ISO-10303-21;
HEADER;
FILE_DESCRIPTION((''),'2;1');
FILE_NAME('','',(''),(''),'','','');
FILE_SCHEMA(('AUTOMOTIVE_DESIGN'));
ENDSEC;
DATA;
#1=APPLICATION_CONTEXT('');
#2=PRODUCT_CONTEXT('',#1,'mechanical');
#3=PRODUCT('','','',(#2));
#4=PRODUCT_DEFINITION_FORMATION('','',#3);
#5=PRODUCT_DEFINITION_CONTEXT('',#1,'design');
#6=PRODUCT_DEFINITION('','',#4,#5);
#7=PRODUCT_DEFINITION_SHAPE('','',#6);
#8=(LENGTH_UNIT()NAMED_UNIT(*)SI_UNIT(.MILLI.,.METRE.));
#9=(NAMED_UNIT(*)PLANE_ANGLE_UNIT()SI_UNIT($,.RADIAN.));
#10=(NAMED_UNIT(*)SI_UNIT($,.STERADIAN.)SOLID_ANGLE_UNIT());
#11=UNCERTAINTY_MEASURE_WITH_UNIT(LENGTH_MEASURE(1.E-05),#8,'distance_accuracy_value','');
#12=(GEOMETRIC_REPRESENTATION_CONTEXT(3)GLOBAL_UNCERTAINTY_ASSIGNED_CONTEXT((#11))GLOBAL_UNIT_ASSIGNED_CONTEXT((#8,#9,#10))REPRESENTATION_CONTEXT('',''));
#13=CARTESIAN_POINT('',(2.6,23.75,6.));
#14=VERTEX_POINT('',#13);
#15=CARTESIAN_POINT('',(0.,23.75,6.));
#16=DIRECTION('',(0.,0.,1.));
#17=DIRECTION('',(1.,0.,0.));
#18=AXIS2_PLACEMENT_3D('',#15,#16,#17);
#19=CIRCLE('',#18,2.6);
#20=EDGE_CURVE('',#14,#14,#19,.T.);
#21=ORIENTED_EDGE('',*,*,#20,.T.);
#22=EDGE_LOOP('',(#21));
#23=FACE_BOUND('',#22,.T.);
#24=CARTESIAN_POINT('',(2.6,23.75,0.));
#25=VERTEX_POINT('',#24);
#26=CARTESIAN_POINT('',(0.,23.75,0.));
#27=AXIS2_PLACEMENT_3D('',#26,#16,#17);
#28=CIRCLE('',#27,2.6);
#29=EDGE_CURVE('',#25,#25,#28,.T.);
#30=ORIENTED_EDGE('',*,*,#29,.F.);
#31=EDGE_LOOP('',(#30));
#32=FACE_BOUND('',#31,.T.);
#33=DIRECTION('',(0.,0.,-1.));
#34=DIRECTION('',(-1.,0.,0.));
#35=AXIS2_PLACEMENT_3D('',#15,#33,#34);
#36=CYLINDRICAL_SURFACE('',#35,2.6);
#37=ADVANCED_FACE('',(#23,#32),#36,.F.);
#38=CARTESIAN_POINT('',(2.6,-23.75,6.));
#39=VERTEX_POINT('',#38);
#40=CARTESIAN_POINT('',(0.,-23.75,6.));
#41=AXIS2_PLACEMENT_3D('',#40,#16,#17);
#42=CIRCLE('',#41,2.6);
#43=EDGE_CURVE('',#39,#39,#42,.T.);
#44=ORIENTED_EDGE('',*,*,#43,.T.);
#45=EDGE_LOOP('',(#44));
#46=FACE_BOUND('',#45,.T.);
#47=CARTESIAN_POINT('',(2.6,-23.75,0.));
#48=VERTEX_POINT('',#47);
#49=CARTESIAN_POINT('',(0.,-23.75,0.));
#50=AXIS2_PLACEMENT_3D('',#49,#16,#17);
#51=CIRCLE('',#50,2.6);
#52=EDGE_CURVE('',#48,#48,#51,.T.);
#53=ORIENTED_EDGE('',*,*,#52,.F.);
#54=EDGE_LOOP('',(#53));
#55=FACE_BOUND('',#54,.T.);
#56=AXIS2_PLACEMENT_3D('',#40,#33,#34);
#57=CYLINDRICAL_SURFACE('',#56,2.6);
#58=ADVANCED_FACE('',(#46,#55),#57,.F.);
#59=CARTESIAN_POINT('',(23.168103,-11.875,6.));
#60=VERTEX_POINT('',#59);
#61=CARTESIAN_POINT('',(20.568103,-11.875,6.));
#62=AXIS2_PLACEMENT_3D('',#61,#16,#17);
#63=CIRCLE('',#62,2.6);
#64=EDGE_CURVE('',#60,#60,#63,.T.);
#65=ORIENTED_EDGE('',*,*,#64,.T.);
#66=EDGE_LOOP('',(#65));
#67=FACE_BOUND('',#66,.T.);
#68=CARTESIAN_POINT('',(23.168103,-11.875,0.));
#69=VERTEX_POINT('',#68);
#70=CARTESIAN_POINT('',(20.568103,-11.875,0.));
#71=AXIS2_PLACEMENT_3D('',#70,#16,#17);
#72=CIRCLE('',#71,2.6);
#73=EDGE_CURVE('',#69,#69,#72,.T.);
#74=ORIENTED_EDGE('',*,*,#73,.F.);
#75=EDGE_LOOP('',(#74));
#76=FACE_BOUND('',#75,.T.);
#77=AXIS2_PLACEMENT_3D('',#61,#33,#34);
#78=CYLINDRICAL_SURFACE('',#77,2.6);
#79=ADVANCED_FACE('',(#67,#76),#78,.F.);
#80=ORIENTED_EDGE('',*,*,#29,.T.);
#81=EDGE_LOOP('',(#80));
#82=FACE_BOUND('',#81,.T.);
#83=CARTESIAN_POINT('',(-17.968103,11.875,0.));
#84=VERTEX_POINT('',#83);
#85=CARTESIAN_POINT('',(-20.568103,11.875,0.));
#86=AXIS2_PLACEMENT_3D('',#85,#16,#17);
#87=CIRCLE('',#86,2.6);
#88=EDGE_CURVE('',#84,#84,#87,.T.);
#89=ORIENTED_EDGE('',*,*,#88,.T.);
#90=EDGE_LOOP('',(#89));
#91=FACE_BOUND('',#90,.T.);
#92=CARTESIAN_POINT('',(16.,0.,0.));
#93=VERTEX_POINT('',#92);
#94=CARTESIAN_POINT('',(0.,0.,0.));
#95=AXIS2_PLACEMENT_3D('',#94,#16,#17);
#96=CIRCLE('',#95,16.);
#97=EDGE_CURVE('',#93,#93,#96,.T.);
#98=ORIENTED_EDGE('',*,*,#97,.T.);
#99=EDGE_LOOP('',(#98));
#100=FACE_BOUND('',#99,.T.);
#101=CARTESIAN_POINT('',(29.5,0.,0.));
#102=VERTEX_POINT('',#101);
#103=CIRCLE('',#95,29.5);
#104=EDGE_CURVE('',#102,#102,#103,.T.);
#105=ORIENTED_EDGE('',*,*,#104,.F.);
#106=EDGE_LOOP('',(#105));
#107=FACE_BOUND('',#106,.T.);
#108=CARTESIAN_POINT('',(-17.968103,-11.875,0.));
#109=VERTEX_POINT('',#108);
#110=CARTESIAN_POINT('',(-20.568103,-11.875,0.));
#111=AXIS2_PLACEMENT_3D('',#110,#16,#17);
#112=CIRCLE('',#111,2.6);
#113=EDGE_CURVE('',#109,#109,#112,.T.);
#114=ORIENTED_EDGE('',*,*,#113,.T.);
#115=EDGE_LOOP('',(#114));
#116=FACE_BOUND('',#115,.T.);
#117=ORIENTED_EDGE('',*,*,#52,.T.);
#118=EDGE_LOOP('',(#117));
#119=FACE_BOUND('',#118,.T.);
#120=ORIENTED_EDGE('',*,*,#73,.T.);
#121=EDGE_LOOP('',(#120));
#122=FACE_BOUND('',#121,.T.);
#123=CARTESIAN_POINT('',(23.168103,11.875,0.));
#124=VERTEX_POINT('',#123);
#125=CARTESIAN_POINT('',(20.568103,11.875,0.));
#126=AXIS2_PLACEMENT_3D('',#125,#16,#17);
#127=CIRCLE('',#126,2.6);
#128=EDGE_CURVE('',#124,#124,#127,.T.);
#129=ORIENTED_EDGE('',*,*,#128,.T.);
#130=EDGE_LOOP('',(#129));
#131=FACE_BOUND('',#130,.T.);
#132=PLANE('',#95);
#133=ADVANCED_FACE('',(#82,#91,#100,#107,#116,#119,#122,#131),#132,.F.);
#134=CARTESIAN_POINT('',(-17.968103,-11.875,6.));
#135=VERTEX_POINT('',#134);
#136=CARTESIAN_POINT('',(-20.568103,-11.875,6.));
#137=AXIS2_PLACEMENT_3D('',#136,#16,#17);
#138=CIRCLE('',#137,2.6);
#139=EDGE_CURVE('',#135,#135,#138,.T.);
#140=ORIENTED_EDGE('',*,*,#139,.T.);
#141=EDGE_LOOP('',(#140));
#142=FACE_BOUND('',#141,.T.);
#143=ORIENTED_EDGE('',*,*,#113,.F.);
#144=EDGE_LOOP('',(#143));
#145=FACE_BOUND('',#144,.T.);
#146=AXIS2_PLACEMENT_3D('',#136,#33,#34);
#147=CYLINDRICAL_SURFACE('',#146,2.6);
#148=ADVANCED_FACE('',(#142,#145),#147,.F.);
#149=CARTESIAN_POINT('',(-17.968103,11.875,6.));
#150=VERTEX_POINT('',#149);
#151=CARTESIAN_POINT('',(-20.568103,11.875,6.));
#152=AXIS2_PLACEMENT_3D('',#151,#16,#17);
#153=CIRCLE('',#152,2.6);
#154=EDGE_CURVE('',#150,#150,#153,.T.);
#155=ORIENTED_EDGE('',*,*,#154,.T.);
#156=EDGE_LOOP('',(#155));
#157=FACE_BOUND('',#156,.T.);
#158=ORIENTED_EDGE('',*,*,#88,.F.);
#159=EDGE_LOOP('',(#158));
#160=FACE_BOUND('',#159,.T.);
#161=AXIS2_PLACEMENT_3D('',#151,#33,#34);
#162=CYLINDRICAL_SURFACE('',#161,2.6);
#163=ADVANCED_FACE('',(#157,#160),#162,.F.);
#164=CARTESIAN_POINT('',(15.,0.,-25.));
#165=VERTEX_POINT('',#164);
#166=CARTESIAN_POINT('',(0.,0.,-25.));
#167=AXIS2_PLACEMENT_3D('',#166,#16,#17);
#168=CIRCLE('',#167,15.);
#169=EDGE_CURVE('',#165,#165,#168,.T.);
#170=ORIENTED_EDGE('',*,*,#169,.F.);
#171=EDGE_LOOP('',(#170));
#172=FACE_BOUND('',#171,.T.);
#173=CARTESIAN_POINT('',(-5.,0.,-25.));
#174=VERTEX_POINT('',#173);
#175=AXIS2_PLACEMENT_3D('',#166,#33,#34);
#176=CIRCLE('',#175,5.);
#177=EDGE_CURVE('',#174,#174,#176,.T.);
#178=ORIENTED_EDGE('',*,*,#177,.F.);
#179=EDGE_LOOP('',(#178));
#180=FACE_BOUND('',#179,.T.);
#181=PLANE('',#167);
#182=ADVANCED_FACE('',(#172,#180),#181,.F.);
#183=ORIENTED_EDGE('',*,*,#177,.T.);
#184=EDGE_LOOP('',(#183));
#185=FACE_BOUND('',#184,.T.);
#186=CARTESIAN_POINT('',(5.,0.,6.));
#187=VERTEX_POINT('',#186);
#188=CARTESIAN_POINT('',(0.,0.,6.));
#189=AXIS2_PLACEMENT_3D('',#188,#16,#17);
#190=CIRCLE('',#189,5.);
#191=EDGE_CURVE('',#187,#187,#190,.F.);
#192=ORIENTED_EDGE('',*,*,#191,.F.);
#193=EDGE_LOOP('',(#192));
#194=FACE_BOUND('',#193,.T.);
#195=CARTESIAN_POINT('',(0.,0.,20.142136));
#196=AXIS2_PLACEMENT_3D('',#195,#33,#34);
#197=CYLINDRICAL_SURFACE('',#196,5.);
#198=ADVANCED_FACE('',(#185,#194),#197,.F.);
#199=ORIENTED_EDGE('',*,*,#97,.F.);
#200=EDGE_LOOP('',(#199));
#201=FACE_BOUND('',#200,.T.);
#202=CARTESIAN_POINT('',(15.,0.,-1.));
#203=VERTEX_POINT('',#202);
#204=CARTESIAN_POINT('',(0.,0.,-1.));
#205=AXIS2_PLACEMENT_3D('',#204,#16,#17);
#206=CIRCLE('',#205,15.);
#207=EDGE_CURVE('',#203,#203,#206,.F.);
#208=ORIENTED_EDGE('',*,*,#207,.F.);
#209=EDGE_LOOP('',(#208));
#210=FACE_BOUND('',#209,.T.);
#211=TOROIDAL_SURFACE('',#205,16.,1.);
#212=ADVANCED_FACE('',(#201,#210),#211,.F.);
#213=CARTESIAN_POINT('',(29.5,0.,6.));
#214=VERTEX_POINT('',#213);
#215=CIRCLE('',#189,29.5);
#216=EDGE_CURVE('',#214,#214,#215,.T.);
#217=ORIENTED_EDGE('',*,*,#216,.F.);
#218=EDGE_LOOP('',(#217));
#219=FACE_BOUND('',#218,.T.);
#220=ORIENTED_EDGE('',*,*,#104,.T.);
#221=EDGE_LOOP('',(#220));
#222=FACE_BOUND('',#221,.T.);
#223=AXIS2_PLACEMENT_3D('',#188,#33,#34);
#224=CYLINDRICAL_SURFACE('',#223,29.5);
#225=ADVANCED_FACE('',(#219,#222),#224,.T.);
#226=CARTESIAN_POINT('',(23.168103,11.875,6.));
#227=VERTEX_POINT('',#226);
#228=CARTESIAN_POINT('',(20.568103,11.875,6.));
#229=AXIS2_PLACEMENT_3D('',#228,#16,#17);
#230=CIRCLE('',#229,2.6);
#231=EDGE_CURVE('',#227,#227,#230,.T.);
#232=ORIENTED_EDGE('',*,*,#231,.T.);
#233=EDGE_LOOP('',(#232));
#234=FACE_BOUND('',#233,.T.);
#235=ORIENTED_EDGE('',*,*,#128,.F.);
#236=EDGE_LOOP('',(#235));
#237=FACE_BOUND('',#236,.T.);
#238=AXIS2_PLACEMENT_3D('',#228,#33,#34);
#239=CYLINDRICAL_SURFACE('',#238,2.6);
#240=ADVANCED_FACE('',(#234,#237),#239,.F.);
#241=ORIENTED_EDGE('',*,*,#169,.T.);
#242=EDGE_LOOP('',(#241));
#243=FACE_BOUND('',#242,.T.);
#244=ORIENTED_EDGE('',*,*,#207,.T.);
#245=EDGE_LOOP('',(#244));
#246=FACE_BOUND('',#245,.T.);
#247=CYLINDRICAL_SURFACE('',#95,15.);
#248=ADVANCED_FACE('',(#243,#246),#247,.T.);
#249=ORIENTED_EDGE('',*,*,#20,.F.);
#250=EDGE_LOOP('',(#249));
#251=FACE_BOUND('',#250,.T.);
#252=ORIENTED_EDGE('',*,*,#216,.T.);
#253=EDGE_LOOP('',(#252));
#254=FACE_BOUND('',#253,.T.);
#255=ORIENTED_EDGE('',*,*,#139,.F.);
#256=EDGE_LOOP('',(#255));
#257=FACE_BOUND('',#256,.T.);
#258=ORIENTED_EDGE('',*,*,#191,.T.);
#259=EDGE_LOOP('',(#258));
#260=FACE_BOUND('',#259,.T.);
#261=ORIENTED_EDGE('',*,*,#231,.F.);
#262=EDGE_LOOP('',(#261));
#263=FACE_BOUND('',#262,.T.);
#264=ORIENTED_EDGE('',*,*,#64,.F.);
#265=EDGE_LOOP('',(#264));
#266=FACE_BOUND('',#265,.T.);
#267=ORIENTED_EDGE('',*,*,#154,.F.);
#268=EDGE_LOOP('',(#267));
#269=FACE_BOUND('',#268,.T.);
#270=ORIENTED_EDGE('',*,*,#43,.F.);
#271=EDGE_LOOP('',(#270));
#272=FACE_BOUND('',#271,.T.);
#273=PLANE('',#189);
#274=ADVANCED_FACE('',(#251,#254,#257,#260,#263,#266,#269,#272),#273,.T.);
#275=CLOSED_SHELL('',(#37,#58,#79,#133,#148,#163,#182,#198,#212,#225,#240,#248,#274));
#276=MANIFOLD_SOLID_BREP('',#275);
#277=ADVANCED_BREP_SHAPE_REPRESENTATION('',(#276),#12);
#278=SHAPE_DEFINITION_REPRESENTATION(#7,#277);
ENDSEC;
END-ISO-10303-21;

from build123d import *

# Parameters (mm, degrees)
SKETCH1_R           = 29.5
SKETCH1_R_2         = 2.6
BOSS_EXTRUDE1_DEPTH = 6
SKETCH2_W           = 25
SKETCH2_H           = 15
FILLET1_R           = 1
SKETCH3_R           = 5
CUT_EXTRUDE1_DEPTH  = 31


with BuildPart() as part:
    # Sketch1 → Boss-Extrude1 (new body)
    with BuildSketch(Plane.XY):
        Circle(SKETCH1_R)
        with Locations((0, 23.75)):
            Circle(SKETCH1_R_2, mode=Mode.SUBTRACT)
        with Locations((20.56810334, 11.875)):
            Circle(SKETCH1_R_2, mode=Mode.SUBTRACT)
        with Locations((20.56810334, -11.875)):
            Circle(SKETCH1_R_2, mode=Mode.SUBTRACT)
        with Locations((0, -23.75)):
            Circle(SKETCH1_R_2, mode=Mode.SUBTRACT)
        with Locations((-20.56810334, -11.875)):
            Circle(SKETCH1_R_2, mode=Mode.SUBTRACT)
        with Locations((-20.56810334, 11.875)):
            Circle(SKETCH1_R_2, mode=Mode.SUBTRACT)
    extrude(amount=BOSS_EXTRUDE1_DEPTH)

    # Sketch2 → Revolve1 (revolve)
    with BuildSketch(Plane(origin=(0, 0, 0), x_dir=(0, 0, -1), z_dir=(1, 0, 0)), mode=Mode.PRIVATE) as revolve1_sk:
        with Locations((12.5, 7.5)):
            Rectangle(SKETCH2_W, SKETCH2_H)
    revolve(revolve1_sk.sketch.rotate(Axis((0, 0, 0), (0, 0, -1)), 90), axis=Axis((0, 0, 0), (0, 0, -1)))

    # Fillet1
    fillet1_edges = [part.edges().sort_by_distance(p)[0] for p in [
        (-15, 0, 0),
    ]]
    fillet(fillet1_edges, radius=FILLET1_R)

    # Sketch3 → Cut-Extrude1 (cut)
    with BuildSketch(Plane(origin=(0, 0, -25), x_dir=(-1, 0, 0), z_dir=(0, 0, -1))):
        Circle(SKETCH3_R)
    extrude(amount=-CUT_EXTRUDE1_DEPTH, mode=Mode.SUBTRACT)


solid = part.part
